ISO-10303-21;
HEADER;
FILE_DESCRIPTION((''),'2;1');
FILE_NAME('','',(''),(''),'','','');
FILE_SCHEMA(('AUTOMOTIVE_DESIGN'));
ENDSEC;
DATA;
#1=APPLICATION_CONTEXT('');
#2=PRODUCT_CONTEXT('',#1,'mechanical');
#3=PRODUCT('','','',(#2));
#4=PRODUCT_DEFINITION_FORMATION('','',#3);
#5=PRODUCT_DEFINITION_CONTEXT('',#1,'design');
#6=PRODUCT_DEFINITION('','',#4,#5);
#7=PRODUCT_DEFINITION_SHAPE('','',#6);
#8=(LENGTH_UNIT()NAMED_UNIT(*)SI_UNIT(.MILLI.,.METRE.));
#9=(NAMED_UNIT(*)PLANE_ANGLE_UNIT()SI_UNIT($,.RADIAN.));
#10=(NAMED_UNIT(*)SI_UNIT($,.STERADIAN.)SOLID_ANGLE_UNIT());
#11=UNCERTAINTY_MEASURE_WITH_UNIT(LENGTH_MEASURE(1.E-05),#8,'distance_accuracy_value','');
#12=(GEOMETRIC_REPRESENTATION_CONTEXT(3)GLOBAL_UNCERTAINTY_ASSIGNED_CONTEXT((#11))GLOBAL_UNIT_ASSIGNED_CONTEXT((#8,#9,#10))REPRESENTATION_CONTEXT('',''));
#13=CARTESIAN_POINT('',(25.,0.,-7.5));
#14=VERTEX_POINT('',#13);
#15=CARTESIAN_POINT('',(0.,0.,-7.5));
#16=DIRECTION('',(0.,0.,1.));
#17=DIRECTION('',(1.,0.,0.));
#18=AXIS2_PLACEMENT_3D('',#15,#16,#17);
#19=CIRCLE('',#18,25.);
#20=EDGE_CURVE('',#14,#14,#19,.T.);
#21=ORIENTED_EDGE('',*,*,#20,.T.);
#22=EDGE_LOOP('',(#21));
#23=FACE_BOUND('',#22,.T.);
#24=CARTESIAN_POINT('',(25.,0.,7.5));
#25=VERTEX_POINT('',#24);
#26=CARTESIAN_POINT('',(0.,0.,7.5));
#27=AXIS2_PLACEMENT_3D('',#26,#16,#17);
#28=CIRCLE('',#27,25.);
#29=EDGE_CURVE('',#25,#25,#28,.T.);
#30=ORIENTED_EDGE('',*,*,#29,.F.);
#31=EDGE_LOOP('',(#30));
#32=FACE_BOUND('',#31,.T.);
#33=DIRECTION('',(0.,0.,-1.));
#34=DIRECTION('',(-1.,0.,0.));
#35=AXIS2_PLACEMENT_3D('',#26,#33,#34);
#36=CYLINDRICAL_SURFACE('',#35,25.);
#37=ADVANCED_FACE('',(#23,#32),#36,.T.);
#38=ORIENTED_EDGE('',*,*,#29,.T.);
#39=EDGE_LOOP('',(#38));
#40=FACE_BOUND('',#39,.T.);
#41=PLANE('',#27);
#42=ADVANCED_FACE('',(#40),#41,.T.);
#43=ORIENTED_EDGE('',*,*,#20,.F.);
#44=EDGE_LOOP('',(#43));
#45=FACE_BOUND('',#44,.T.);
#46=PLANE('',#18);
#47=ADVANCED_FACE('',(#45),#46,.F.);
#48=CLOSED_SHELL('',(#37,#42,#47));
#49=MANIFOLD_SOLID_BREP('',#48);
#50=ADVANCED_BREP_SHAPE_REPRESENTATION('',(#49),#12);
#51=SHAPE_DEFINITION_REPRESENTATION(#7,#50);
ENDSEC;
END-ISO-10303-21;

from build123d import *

# Parameters (mm, degrees)
SKETCH_1_R      = 25
EXTRUDE_1_DEPTH = 7.5


with BuildPart() as part:
    # 草图1 → 凸台-拉伸1 (new, symmetric)
    with BuildSketch(Plane.XY):
        Circle(SKETCH_1_R)
    extrude(amount=EXTRUDE_1_DEPTH, both=True)


solid = part.part
